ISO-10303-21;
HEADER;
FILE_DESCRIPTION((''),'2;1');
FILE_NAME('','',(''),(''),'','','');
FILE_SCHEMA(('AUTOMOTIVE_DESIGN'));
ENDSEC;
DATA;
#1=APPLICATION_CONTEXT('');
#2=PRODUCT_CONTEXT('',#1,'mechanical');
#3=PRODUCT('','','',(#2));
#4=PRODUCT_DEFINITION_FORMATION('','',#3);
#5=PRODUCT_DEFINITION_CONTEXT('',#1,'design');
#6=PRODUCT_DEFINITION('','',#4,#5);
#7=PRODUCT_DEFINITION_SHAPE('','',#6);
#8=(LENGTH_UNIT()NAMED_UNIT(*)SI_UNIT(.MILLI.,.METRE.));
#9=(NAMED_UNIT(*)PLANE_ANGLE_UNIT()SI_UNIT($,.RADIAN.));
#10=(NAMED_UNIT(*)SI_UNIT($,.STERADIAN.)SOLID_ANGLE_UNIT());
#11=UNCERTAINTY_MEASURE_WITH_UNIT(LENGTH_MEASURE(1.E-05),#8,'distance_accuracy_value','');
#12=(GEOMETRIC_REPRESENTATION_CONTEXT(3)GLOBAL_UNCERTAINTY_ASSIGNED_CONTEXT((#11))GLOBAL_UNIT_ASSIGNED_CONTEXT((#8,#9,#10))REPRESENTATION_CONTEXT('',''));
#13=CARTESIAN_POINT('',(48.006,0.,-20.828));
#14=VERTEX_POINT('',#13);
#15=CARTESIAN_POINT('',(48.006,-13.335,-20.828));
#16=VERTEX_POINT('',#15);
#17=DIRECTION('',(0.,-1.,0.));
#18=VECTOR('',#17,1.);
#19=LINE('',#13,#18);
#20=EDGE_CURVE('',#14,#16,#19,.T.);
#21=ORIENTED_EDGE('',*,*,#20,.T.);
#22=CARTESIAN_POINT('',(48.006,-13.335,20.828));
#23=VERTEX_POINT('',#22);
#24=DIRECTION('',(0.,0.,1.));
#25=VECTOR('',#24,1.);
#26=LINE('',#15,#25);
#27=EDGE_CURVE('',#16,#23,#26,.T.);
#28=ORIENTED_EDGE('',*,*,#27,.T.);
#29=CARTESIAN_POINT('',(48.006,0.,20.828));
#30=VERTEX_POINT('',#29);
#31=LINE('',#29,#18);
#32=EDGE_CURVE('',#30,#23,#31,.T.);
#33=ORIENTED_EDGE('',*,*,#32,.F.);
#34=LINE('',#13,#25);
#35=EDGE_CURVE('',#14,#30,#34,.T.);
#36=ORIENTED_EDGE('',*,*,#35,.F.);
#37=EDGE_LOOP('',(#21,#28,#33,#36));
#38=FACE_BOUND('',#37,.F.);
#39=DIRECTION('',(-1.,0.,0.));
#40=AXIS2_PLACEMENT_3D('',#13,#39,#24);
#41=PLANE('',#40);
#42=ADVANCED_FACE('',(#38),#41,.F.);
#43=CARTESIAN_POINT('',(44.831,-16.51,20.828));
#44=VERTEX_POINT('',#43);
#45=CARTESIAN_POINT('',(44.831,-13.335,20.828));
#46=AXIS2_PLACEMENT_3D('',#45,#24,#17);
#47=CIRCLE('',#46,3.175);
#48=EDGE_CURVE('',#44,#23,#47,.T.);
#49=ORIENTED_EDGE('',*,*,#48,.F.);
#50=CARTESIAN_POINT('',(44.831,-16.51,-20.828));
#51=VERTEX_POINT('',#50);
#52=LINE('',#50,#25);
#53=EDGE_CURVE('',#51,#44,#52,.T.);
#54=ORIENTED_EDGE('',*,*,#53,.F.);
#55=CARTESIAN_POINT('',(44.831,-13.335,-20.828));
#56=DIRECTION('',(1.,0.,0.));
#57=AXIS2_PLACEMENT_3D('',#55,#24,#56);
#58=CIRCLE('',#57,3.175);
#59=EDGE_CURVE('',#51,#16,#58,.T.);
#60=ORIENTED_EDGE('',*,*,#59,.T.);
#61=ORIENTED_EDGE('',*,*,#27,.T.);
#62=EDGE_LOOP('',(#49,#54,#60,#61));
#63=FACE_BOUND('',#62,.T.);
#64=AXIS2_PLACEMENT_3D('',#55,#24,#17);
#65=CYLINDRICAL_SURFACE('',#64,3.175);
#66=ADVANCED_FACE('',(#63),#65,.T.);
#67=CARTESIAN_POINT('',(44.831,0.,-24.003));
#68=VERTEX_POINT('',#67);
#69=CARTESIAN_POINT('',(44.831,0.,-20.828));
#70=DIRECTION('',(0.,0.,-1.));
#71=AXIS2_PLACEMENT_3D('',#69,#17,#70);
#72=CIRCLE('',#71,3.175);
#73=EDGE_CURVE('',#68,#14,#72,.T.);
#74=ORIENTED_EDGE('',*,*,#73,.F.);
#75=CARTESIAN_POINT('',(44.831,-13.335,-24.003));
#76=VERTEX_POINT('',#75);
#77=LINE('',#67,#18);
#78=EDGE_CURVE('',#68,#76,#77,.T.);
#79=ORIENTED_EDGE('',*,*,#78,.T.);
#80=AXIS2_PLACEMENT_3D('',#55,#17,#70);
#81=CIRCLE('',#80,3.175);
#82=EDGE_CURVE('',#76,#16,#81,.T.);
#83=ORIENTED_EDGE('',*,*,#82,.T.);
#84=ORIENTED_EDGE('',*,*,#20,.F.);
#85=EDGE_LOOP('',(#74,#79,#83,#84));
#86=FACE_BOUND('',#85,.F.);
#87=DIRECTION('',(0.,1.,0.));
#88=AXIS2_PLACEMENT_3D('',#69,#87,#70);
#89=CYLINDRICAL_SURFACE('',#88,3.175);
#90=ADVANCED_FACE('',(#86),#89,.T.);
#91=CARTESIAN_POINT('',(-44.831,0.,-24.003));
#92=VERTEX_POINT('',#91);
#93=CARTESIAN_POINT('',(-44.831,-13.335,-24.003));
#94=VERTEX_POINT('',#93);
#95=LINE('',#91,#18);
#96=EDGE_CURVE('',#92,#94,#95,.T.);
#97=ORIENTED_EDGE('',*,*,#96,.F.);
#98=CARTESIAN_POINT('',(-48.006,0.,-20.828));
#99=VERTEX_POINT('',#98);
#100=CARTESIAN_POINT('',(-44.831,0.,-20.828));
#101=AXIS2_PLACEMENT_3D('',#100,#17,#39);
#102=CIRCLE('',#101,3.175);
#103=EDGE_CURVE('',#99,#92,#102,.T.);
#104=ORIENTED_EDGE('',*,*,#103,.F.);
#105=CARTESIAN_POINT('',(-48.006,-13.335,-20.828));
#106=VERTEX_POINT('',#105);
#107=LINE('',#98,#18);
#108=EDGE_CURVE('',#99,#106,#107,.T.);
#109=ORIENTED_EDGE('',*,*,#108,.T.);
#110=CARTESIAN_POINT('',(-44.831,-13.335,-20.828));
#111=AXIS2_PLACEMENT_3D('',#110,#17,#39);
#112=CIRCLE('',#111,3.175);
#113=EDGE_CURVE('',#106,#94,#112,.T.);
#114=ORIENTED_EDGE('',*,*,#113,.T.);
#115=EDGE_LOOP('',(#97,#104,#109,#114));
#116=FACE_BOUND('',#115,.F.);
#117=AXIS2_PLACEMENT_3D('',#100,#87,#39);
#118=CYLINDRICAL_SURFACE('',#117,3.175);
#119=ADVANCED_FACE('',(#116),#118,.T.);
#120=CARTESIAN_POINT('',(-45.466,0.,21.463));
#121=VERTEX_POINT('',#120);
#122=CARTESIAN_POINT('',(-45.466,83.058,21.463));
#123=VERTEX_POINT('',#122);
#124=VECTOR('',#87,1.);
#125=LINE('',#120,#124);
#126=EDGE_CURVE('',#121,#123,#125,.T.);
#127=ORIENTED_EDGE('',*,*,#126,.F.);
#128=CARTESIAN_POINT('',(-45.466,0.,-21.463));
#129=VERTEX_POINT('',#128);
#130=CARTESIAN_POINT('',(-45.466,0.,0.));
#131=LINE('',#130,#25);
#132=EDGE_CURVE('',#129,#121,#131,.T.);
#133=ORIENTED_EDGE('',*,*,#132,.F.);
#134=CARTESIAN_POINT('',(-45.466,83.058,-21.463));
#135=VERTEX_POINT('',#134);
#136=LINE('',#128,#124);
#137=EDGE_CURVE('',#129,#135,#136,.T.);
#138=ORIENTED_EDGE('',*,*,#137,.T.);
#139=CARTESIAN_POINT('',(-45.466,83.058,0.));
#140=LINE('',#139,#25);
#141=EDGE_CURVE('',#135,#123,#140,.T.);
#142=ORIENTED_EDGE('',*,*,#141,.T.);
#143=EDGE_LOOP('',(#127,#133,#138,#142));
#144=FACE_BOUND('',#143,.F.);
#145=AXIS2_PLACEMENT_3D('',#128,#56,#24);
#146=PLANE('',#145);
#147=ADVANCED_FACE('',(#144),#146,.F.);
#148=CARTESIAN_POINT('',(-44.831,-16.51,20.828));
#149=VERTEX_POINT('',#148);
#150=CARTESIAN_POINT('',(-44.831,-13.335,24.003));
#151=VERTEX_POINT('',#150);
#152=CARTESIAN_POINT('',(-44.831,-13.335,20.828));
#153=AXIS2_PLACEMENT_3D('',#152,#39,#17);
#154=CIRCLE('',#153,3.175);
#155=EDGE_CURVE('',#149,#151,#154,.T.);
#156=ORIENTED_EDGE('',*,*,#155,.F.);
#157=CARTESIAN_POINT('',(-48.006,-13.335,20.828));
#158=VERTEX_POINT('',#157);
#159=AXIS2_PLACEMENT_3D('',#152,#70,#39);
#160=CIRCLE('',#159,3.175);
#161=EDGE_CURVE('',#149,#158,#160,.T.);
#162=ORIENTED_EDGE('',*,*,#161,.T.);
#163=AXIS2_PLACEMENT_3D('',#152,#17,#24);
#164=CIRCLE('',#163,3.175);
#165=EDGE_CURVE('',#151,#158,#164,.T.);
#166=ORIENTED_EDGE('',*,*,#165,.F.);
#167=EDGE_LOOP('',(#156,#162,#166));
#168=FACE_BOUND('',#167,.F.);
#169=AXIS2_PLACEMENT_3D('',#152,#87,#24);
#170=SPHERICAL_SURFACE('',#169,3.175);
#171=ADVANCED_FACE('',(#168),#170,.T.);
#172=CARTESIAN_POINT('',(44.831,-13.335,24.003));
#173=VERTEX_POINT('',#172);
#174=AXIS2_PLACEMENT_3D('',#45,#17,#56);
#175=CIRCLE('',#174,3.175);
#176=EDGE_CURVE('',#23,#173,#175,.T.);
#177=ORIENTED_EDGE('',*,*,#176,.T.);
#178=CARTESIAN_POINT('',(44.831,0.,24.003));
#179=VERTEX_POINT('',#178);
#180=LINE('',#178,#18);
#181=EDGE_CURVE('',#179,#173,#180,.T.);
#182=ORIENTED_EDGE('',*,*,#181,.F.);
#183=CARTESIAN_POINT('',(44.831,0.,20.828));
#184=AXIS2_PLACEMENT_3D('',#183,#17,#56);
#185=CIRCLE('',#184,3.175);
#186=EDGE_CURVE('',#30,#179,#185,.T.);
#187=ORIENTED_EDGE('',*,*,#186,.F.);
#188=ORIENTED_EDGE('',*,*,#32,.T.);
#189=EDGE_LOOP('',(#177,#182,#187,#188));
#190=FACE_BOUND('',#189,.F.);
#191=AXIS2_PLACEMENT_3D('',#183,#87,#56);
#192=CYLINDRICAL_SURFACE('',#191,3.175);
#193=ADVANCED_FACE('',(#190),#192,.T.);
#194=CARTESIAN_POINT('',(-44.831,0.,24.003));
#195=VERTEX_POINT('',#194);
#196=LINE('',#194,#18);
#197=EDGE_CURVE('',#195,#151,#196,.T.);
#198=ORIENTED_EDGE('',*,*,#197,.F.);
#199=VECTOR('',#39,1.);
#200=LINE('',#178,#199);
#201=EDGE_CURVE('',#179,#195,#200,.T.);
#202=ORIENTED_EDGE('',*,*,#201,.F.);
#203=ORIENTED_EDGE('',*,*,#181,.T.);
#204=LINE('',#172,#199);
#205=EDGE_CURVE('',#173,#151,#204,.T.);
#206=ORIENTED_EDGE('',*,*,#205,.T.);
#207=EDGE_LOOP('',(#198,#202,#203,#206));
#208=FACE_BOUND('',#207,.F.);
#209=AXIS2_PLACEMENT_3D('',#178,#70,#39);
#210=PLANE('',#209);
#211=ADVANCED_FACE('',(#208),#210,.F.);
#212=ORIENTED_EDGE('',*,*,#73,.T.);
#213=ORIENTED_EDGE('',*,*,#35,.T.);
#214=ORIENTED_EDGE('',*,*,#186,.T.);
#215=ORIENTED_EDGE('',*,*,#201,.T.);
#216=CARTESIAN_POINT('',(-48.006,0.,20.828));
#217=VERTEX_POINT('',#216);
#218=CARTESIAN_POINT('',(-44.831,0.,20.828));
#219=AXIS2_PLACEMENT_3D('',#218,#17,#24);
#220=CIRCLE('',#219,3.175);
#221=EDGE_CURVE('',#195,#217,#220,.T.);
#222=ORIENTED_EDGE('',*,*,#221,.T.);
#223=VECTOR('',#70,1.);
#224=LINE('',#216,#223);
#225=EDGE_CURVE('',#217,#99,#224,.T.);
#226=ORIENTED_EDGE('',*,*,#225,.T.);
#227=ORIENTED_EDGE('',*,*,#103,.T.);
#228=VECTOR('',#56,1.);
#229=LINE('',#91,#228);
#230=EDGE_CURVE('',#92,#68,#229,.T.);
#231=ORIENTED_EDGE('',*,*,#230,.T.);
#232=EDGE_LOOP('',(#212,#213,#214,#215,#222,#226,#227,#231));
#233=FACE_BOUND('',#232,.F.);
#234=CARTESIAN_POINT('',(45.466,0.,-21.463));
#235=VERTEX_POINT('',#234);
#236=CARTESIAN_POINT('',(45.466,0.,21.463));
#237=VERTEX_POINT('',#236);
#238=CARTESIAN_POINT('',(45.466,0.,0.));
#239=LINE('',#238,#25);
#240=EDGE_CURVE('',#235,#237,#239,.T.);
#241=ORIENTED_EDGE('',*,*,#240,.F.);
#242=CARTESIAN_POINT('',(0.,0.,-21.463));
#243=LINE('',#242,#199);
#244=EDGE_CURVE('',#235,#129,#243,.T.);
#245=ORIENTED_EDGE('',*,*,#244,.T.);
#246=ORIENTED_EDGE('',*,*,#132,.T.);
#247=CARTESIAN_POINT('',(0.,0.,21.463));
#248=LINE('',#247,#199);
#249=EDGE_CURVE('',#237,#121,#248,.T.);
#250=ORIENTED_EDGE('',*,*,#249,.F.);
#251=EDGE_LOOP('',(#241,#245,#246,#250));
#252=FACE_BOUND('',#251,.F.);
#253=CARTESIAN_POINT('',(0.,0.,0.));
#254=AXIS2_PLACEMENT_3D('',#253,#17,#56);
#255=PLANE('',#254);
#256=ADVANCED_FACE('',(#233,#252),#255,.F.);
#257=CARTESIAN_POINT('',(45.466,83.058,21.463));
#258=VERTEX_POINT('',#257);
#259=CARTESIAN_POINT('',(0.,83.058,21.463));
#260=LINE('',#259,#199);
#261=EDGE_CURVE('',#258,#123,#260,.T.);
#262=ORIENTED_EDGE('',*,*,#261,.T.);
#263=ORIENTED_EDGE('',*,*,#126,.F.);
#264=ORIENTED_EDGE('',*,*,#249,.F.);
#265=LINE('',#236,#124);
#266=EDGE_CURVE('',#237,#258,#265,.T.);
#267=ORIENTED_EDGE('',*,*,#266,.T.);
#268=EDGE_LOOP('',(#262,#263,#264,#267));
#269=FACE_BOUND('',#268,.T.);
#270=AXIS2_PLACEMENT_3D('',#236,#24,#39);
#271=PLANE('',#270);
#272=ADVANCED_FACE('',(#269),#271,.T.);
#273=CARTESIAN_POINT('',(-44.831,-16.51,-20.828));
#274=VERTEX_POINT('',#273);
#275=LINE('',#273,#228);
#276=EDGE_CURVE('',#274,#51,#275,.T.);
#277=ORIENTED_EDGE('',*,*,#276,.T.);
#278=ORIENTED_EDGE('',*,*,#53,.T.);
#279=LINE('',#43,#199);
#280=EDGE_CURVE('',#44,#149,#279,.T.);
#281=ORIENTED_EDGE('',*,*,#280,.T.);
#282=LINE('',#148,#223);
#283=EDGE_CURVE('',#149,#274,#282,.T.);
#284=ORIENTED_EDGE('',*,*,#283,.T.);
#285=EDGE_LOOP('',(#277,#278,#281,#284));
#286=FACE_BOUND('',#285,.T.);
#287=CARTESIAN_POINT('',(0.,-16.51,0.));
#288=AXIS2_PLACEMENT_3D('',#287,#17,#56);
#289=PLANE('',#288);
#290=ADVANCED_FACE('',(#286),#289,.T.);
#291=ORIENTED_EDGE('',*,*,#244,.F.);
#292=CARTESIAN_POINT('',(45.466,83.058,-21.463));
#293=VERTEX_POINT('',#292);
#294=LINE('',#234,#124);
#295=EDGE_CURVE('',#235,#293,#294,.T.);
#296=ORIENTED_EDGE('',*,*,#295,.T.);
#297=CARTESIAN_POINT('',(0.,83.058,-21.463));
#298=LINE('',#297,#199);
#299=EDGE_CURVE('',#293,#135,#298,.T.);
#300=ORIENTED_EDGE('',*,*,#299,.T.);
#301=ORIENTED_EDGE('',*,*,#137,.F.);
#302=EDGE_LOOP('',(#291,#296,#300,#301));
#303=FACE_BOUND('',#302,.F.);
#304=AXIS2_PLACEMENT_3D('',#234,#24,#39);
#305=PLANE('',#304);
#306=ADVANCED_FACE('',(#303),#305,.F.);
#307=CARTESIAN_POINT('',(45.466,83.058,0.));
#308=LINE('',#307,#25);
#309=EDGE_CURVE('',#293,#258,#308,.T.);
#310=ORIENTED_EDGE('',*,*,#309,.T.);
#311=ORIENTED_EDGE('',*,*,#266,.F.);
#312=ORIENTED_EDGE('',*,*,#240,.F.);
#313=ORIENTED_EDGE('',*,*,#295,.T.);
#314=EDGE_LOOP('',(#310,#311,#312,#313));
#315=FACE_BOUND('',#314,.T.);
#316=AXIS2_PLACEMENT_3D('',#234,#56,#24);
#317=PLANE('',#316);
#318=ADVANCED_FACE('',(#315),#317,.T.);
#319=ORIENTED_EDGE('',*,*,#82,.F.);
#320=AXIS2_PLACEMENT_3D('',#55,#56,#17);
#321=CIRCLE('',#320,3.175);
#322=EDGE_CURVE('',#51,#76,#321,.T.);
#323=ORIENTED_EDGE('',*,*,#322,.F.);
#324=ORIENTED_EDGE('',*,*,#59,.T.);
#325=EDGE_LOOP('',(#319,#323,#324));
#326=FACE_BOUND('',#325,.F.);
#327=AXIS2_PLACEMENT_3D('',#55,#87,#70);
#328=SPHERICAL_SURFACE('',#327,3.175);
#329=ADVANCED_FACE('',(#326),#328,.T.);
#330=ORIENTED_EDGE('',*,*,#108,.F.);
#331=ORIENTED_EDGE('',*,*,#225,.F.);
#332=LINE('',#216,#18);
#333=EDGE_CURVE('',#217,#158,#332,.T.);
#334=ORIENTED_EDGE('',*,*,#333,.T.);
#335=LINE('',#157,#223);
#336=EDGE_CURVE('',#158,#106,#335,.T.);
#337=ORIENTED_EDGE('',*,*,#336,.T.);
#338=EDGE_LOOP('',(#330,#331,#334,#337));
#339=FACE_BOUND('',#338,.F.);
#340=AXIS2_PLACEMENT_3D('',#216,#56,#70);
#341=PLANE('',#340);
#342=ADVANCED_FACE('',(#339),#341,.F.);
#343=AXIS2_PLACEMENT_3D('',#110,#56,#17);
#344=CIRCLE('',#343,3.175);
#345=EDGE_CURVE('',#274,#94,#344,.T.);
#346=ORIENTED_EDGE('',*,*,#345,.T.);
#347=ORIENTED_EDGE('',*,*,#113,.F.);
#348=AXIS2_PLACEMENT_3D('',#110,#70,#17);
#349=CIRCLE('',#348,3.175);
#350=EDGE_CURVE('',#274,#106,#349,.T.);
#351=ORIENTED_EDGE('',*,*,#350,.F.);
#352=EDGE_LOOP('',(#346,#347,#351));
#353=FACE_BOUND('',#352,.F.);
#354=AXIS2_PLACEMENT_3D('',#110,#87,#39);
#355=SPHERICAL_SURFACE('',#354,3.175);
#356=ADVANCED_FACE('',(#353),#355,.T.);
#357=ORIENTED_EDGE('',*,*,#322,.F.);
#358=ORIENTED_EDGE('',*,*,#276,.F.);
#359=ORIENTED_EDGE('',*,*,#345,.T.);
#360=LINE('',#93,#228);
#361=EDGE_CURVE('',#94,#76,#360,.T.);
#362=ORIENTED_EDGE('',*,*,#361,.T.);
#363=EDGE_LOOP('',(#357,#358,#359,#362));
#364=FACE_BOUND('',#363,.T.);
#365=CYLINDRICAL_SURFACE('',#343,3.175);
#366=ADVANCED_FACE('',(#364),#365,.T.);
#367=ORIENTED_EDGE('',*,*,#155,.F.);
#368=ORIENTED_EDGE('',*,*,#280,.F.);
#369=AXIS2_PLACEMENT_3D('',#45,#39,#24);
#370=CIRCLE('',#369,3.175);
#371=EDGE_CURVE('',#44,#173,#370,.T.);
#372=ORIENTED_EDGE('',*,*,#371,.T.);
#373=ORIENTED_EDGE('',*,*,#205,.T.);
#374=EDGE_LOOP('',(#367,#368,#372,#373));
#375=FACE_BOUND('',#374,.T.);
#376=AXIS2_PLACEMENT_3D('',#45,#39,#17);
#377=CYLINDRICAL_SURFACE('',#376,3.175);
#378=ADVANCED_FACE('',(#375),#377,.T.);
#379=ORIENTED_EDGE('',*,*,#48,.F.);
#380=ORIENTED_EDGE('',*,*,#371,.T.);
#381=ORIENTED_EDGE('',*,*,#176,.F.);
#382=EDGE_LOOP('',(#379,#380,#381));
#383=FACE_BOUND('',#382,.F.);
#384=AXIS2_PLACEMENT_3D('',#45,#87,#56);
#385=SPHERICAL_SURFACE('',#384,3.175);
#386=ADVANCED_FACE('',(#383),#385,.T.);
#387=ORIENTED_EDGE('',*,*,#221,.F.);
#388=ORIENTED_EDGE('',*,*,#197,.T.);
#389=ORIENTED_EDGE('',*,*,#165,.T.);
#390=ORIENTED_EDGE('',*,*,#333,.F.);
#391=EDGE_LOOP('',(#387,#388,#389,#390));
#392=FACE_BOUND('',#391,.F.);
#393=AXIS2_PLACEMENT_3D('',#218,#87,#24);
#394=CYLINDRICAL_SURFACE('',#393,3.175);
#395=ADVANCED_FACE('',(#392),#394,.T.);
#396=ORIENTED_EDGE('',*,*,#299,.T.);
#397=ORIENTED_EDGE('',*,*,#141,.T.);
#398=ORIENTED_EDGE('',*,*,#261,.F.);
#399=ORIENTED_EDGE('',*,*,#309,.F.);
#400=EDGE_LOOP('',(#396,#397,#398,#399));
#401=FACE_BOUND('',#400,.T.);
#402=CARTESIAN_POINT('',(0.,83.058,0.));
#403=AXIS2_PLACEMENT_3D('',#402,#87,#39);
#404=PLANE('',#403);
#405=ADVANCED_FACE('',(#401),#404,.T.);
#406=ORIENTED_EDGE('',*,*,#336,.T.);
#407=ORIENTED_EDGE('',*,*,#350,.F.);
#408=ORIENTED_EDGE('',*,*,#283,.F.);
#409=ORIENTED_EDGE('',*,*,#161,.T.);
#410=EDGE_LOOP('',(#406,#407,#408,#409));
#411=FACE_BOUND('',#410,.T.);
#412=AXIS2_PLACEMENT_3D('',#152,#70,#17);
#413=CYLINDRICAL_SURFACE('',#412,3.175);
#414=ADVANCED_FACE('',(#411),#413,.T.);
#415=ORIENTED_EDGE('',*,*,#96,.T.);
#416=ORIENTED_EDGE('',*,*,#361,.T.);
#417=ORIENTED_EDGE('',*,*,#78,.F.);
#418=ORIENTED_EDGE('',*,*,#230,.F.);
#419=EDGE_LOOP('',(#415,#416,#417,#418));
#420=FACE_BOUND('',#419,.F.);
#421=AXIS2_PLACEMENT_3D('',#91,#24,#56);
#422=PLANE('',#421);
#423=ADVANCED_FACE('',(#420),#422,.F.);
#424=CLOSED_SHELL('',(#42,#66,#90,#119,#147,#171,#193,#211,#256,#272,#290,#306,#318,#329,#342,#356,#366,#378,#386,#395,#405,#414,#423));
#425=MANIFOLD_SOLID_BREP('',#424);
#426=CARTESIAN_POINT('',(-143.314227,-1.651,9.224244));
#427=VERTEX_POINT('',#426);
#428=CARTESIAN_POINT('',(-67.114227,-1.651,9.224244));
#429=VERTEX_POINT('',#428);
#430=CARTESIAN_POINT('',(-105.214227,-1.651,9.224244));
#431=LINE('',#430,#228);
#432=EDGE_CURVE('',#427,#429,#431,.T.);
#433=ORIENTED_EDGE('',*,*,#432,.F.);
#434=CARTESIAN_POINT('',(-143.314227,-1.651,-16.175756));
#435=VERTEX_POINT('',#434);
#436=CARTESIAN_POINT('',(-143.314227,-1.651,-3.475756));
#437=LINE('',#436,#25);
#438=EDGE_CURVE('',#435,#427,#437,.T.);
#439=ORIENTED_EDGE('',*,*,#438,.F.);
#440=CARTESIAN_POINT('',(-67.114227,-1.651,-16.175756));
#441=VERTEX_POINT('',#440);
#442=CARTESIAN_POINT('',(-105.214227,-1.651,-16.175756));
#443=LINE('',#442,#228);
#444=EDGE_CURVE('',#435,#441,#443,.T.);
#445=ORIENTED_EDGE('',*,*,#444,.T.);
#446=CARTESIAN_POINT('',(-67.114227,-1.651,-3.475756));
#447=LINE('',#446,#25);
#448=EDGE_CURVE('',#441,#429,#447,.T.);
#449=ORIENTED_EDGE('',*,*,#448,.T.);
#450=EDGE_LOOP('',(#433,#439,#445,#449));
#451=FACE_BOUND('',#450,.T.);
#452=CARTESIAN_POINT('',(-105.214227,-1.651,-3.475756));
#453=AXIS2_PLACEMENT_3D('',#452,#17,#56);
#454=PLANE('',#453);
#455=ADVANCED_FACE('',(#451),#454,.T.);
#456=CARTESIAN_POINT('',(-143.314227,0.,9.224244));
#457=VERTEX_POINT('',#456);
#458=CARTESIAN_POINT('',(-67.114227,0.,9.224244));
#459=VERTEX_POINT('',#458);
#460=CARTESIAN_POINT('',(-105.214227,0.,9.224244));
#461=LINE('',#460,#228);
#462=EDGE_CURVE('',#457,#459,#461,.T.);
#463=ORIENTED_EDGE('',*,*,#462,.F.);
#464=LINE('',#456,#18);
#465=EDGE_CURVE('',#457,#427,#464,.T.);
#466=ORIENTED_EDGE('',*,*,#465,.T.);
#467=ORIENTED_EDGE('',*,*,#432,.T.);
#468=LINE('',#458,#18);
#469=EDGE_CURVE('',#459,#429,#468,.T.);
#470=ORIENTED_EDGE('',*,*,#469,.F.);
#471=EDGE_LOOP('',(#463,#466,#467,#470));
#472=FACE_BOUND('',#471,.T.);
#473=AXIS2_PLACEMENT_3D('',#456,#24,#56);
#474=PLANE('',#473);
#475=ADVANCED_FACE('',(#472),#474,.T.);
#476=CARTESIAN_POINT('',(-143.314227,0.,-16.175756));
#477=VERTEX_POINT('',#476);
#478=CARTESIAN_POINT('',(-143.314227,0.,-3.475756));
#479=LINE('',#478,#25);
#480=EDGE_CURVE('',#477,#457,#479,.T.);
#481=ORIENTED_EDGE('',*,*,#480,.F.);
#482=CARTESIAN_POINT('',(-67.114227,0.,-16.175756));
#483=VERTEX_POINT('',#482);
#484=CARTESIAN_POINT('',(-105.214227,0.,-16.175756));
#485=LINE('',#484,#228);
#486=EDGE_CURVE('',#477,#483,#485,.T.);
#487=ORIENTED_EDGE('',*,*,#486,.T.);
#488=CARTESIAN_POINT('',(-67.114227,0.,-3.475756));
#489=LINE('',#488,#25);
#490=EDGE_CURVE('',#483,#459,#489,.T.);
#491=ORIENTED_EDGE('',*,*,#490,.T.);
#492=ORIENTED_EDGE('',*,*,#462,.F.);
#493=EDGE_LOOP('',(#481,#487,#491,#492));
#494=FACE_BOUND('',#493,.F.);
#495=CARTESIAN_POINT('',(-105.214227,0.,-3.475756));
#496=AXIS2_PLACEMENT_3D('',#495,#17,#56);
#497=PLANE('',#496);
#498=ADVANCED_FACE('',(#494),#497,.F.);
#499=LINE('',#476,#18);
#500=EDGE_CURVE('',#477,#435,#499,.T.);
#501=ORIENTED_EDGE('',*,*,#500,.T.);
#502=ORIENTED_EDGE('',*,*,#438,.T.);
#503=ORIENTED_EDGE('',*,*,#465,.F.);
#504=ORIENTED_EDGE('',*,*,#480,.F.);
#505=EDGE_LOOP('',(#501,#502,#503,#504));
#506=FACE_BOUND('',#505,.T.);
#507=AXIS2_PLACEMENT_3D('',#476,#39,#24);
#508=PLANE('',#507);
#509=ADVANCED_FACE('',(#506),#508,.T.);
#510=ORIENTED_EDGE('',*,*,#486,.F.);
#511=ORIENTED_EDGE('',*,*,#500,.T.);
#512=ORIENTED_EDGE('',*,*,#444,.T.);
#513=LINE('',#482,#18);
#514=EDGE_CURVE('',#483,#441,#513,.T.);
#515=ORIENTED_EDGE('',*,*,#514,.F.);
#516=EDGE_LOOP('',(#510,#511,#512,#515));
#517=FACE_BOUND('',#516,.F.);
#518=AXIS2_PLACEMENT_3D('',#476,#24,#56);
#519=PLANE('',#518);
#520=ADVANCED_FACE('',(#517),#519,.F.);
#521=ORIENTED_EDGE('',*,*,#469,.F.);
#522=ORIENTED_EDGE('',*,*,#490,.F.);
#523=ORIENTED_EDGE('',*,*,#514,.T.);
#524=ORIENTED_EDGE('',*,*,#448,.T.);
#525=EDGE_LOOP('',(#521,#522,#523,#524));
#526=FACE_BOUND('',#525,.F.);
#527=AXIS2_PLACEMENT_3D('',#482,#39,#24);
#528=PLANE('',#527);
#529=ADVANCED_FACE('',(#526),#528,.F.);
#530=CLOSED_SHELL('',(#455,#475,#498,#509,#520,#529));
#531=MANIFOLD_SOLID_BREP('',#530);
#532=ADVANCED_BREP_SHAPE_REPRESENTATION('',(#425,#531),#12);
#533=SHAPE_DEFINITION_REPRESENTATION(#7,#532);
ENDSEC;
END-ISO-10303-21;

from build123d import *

# Parameters (mm, degrees)
F1_DEPTH = 16.51
F2_W     = 90.932
F2_H     = 42.926
F3_DEPTH = 83.058
F4_W     = 76.2
F4_H     = 25.4
F5_DEPTH = 1.651
F6_R     = 3.175


with BuildPart() as f1:
    # F0 (on Front) → F1 (new body)
    with BuildSketch(Plane.XZ):
        with BuildLine():
            Line((44.831, 24.003), (-44.831, 24.003))
            ThreePointArc((-44.831, 24.003), (-47.0760640303, 23.0730640303), (-48.006, 20.828))
            Line((-48.006, 20.828), (-48.006, -20.828))
            ThreePointArc((-48.006, -20.828), (-47.0760640303, -23.0730640303), (-44.831, -24.003))
            Line((-44.831, -24.003), (44.831, -24.003))
            ThreePointArc((44.831, -24.003), (47.0760640303, -23.0730640303), (48.006, -20.828))
            Line((48.006, -20.828), (48.006, 20.828))
            ThreePointArc((48.006, 20.828), (47.0760640303, 23.0730640303), (44.831, 24.003))
        make_face()
    extrude(amount=F1_DEPTH)

    # F2 (on face) → F3 (join)
    with BuildSketch(Plane(origin=(0, 0, 0), x_dir=(-1, 0, 0), z_dir=(0, 1, 0))):
        Rectangle(F2_W, F2_H)
    extrude(amount=F3_DEPTH)

    # F6
    f6_edges = [f1.edges().sort_by_distance(p)[0] for p in [
        (0, -16.51, -24.003),
    ]]
    fillet(f6_edges, radius=F6_R)


with BuildPart() as f5:
    # F4 (on Front) → F5 (new body)
    with BuildSketch(Plane.XZ):
        with Locations((-105.2142274618, -3.475756231)):
            Rectangle(F4_W, F4_H)
    extrude(amount=F5_DEPTH)


solid = Compound([f1.part, f5.part])
